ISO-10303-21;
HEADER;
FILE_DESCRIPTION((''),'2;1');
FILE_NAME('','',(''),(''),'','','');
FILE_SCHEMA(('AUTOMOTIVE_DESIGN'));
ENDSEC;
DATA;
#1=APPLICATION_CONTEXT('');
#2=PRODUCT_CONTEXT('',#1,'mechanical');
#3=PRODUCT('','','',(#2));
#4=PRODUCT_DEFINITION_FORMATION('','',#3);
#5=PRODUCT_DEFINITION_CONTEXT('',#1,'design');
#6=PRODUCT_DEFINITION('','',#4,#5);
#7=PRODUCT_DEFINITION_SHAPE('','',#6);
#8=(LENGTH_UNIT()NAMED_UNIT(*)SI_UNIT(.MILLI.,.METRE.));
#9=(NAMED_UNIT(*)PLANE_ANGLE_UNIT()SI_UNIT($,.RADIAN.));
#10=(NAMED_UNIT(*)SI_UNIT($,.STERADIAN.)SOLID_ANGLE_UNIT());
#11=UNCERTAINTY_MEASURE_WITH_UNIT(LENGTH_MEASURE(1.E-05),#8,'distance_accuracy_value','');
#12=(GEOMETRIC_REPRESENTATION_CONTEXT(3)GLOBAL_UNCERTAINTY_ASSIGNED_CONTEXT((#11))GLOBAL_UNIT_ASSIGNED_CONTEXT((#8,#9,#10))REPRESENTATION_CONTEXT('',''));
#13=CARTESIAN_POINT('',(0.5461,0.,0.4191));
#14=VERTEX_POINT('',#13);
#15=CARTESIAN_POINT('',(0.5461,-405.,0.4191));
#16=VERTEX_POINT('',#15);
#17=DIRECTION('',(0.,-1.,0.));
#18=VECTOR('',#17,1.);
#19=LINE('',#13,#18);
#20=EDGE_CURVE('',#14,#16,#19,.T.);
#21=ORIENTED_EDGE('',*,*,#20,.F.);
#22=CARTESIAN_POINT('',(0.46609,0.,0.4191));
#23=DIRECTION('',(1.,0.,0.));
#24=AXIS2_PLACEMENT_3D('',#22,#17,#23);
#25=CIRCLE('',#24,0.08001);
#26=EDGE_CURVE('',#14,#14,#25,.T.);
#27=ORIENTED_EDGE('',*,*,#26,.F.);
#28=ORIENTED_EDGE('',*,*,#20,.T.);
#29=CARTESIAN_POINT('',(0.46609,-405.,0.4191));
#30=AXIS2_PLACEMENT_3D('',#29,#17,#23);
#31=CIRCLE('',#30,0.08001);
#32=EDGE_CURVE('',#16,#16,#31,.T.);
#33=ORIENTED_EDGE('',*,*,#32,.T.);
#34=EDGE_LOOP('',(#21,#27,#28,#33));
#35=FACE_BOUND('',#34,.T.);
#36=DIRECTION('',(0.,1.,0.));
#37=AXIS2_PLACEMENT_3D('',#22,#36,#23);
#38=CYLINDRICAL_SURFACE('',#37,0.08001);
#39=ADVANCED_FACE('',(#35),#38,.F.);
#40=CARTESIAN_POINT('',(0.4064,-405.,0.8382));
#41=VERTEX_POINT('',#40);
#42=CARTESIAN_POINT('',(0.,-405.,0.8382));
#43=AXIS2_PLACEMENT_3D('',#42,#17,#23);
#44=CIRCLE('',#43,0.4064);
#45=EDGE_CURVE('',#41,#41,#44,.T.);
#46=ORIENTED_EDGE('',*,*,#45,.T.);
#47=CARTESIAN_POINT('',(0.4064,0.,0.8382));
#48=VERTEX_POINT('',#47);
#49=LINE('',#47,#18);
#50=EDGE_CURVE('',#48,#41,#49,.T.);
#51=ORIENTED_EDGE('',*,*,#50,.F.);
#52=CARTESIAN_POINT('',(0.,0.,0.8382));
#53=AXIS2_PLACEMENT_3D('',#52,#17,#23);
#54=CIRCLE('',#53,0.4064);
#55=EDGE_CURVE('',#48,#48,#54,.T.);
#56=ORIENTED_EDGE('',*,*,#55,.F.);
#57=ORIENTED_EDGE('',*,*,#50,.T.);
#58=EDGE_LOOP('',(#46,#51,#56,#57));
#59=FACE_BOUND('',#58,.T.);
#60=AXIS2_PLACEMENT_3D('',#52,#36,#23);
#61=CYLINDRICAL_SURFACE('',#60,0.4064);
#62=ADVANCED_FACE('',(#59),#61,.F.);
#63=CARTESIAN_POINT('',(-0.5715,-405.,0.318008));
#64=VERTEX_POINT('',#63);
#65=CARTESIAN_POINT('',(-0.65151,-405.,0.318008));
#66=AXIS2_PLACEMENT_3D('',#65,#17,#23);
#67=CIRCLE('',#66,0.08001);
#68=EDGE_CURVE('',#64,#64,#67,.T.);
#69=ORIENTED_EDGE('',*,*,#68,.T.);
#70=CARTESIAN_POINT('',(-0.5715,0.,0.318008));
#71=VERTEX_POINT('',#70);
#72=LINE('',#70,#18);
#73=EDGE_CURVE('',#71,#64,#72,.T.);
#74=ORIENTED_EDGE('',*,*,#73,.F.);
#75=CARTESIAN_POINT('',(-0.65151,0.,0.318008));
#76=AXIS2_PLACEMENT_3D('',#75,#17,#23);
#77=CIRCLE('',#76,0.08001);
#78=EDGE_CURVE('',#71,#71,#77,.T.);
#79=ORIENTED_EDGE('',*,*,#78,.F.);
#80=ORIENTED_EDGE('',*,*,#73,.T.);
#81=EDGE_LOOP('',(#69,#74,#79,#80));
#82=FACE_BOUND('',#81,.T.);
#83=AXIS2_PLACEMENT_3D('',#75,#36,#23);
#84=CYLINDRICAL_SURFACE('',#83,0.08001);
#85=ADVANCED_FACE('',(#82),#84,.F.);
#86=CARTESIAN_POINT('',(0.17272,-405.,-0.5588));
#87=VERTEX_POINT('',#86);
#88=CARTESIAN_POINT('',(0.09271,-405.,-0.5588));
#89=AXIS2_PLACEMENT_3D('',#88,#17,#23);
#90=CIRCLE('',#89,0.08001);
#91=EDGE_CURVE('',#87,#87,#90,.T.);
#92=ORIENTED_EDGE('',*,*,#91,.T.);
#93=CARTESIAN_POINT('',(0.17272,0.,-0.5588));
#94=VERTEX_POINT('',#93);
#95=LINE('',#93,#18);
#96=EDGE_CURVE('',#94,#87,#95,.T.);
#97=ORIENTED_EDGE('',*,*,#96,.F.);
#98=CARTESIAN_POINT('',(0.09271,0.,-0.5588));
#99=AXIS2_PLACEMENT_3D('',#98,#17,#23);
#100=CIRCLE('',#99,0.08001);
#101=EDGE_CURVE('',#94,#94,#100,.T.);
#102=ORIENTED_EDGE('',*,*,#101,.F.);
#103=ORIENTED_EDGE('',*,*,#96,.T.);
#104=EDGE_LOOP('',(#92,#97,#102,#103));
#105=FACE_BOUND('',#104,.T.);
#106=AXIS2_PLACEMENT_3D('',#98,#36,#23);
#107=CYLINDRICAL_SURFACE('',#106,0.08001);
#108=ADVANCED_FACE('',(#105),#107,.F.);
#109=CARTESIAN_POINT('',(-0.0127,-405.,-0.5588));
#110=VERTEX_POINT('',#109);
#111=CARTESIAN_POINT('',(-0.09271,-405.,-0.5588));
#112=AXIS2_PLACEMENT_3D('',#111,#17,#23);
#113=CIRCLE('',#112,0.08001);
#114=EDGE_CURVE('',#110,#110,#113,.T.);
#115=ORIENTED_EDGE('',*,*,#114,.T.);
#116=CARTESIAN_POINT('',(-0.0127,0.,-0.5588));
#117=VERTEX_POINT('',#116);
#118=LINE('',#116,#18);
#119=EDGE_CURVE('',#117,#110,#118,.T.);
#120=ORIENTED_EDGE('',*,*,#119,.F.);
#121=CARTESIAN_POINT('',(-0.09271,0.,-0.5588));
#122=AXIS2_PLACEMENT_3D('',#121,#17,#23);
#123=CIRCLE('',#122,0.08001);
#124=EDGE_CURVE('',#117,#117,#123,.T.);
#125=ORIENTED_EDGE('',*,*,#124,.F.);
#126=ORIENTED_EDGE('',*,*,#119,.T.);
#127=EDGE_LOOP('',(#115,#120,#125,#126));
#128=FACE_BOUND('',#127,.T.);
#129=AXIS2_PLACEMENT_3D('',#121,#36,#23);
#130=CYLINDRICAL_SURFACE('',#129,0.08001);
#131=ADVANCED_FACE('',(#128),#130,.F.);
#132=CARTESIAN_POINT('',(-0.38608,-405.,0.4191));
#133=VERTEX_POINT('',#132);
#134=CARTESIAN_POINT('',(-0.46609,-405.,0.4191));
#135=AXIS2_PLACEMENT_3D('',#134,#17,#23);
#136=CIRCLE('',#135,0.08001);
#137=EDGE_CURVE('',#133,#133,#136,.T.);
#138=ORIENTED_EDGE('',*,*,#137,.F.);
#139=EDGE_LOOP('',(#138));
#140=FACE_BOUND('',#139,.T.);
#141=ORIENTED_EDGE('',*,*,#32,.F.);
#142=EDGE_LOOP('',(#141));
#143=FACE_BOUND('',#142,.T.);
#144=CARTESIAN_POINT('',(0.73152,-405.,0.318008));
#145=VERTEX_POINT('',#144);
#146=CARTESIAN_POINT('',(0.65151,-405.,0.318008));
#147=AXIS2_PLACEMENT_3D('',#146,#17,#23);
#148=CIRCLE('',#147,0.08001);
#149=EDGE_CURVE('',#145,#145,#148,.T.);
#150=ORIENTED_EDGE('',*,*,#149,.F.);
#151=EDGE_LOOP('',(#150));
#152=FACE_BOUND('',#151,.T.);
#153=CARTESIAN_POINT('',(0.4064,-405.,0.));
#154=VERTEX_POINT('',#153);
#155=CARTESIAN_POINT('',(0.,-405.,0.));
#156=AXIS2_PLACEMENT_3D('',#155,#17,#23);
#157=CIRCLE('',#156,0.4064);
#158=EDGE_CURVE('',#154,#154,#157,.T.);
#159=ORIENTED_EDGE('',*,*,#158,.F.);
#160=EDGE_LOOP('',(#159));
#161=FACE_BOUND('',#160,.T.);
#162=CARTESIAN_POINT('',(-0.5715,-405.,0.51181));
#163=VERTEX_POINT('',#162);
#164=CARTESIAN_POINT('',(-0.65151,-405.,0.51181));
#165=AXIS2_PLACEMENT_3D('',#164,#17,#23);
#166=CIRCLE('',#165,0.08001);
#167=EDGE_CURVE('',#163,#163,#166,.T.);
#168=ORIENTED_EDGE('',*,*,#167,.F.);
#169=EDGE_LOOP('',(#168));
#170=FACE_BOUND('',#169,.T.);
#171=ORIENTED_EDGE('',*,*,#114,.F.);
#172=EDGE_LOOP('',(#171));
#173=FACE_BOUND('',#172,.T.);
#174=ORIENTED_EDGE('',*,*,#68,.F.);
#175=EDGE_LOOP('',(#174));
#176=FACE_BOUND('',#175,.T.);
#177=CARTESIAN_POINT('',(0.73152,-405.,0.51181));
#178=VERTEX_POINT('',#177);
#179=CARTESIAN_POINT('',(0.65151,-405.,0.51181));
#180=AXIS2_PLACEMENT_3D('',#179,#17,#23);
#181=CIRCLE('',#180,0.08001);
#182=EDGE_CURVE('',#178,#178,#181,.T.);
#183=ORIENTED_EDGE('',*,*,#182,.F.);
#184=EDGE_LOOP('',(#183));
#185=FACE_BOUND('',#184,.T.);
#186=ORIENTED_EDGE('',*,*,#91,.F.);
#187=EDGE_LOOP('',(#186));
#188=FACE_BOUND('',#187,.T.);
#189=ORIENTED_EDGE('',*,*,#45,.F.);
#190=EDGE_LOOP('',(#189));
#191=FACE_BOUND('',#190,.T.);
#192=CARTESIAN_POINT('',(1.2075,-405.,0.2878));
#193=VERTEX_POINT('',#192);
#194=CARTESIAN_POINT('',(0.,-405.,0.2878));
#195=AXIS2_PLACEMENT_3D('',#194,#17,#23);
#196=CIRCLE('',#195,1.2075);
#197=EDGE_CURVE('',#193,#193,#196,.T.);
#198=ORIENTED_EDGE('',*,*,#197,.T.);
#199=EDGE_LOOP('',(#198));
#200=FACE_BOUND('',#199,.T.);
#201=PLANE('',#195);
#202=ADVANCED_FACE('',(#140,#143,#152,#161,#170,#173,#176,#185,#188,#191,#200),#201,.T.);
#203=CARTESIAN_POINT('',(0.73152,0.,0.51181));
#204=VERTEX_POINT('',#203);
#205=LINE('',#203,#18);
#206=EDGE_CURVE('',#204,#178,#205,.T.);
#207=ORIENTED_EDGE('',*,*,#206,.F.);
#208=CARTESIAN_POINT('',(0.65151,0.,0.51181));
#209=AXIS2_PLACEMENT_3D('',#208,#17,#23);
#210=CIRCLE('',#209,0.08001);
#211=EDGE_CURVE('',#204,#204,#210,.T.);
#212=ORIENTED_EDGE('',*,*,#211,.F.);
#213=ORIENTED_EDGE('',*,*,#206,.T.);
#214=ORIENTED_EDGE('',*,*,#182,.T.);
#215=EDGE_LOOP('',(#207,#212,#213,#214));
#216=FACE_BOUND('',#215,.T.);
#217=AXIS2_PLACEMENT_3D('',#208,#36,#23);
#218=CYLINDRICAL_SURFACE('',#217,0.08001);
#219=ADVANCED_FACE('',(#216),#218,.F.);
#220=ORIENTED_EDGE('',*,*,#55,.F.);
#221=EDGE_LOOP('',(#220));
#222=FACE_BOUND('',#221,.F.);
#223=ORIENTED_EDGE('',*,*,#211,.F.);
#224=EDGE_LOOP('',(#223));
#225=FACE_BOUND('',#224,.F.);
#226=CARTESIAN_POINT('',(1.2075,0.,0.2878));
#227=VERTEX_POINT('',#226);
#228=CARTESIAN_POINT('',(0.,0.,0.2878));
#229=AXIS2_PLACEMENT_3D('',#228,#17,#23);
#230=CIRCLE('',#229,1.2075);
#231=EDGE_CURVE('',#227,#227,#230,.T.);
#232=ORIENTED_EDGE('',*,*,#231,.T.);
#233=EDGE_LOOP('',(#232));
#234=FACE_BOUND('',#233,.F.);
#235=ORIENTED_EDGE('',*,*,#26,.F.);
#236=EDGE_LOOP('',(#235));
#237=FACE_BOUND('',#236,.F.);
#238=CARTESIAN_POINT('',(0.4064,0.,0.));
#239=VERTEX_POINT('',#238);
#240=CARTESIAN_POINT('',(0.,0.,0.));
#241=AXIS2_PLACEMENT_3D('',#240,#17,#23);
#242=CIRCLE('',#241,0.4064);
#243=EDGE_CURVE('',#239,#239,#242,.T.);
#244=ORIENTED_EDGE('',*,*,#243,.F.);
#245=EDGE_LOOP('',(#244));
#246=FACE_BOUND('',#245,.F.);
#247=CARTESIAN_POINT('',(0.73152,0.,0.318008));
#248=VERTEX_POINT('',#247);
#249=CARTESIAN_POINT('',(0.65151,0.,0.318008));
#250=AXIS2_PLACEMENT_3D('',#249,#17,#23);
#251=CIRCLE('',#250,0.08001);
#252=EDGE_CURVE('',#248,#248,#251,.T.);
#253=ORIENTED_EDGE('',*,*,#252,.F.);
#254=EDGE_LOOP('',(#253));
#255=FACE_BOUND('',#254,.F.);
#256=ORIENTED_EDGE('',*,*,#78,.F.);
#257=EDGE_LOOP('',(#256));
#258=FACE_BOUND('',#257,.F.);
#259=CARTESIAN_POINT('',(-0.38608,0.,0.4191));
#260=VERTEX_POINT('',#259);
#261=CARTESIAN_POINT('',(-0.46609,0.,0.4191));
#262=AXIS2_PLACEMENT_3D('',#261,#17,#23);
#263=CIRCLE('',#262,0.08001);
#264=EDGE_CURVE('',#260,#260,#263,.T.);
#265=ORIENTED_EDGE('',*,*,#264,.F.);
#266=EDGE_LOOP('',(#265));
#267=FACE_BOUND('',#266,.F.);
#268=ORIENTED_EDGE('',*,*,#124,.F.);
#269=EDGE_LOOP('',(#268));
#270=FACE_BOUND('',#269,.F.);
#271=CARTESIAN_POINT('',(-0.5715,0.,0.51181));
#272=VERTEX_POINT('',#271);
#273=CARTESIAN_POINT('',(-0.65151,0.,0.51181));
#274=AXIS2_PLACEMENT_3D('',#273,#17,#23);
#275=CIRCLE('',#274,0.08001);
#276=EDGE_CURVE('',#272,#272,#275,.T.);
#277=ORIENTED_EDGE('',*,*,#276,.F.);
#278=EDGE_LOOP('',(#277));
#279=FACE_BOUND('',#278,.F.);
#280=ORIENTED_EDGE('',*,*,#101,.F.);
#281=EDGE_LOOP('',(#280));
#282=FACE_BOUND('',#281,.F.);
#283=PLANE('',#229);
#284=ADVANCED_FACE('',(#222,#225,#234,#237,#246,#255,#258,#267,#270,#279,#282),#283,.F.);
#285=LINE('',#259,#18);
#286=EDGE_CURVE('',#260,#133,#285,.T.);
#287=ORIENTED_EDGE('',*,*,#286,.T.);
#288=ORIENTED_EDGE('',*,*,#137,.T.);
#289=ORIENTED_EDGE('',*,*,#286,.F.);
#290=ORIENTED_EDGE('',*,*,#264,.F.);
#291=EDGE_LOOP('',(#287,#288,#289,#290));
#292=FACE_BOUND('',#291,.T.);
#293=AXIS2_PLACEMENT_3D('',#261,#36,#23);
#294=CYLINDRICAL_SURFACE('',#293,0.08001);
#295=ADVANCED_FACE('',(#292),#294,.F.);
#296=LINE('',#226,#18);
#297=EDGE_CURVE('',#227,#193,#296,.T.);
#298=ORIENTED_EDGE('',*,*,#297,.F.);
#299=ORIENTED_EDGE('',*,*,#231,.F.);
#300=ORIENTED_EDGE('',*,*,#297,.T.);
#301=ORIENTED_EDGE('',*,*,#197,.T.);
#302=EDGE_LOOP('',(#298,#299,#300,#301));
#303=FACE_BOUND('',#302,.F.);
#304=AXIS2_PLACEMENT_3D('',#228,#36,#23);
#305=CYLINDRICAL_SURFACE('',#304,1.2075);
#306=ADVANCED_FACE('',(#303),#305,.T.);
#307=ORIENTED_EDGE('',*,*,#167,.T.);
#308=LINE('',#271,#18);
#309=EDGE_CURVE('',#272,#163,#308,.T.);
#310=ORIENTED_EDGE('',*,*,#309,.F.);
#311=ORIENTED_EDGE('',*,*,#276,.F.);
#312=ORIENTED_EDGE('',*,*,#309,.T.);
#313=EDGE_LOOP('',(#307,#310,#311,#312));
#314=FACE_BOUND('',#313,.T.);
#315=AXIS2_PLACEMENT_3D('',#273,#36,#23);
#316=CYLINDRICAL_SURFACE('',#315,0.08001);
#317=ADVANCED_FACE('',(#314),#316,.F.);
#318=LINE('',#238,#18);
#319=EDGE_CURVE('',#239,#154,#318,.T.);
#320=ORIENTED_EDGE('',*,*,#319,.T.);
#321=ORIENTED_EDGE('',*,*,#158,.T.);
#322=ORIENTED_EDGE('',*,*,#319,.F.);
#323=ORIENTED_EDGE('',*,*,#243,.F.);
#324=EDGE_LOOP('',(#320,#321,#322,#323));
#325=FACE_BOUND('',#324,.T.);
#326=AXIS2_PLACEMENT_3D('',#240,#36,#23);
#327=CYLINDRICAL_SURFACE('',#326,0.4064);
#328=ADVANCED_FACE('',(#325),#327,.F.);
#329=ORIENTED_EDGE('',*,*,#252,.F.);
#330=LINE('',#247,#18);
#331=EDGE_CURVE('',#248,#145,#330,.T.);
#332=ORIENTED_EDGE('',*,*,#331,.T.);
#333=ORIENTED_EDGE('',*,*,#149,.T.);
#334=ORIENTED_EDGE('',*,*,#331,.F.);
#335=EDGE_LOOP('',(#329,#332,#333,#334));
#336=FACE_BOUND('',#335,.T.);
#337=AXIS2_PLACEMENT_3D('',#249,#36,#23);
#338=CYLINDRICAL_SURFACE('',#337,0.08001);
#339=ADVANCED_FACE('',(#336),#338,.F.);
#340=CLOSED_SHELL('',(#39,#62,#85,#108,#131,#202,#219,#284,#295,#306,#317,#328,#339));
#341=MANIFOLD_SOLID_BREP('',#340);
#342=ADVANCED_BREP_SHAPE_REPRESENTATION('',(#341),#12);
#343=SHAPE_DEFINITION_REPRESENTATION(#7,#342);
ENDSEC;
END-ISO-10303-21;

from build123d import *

# Parameters (mm, degrees)
F0_R     = 1.2075
F0_R_2   = 1.2
F0_R_3   = 1.05
F0_R_4   = 0.4064
F0_R_5   = 0.2205357301
F0_R_6   = 0.08001
F1_DEPTH = 405


with BuildPart() as f1:
    # F0 (on Front) → F1 (new body)
    with BuildSketch(Plane.XZ):
        with Locations((0, 0.2878)):
            Circle(F0_R)
        with Locations((0, 0.2878)):
            Circle(F0_R_2, mode=Mode.SUBTRACT)
        with Locations((0, 0.2878)):
            Circle(F0_R_2)
        with Locations((0, 0.2878)):
            Circle(F0_R_3, mode=Mode.SUBTRACT)
        with Locations((0, 0.2878)):
            Circle(F0_R_3)
        with BuildLine():
            add(Edge.make_bspline(
                [(0.2313024888, -0.5588), (0.2313024888, -0.3679270245), (-0.1156512444, -0.4633635122), (-0.4626049777, -0.5588), (-0.1156512444, -0.6542364878), (0.2313024888, -0.7496729755), (0.2313024888, -0.5588)],
                knots=[0, 0, 0, 2.0943951024, 2.0943951024, 4.1887902048, 4.1887902048, 6.2831853072, 6.2831853072, 6.2831853072], degree=2, weights=[1, 0.5, 1, 0.5, 1, 0.5, 1]))
        make_face(mode=Mode.SUBTRACT)
        Circle(F0_R_4, mode=Mode.SUBTRACT)
        with Locations((-0.5588, 0.4191)):
            Circle(F0_R_5, mode=Mode.SUBTRACT)
        with Locations((0, 0.8382)):
            Circle(F0_R_4, mode=Mode.SUBTRACT)
        with Locations((0.5588, 0.4191)):
            Circle(F0_R_5, mode=Mode.SUBTRACT)
        with Locations((-0.5588, 0.4191)):
            Circle(F0_R_5)
        with Locations((-0.65151, 0.318008)):
            Circle(F0_R_6, mode=Mode.SUBTRACT)
        with Locations((-0.65151, 0.51181)):
            Circle(F0_R_6, mode=Mode.SUBTRACT)
        with Locations((-0.46609, 0.4191)):
            Circle(F0_R_6, mode=Mode.SUBTRACT)
        with Locations((0.5588, 0.4191)):
            Circle(F0_R_5)
        with Locations((0.46609, 0.4191)):
            Circle(F0_R_6, mode=Mode.SUBTRACT)
        with Locations((0.65151, 0.318008)):
            Circle(F0_R_6, mode=Mode.SUBTRACT)
        with Locations((0.65151, 0.51181)):
            Circle(F0_R_6, mode=Mode.SUBTRACT)
        with BuildLine():
            add(Edge.make_bspline(
                [(0.2313024888, -0.5588), (0.2313024888, -0.3679270245), (-0.1156512444, -0.4633635122), (-0.4626049777, -0.5588), (-0.1156512444, -0.6542364878), (0.2313024888, -0.7496729755), (0.2313024888, -0.5588)],
                knots=[0, 0, 0, 2.0943951024, 2.0943951024, 4.1887902048, 4.1887902048, 6.2831853072, 6.2831853072, 6.2831853072], degree=2, weights=[1, 0.5, 1, 0.5, 1, 0.5, 1]))
        make_face()
        with Locations((-0.09271, -0.5588)):
            Circle(F0_R_6, mode=Mode.SUBTRACT)
        with Locations((0.09271, -0.5588)):
            Circle(F0_R_6, mode=Mode.SUBTRACT)
    extrude(amount=F1_DEPTH)


solid = f1.part
